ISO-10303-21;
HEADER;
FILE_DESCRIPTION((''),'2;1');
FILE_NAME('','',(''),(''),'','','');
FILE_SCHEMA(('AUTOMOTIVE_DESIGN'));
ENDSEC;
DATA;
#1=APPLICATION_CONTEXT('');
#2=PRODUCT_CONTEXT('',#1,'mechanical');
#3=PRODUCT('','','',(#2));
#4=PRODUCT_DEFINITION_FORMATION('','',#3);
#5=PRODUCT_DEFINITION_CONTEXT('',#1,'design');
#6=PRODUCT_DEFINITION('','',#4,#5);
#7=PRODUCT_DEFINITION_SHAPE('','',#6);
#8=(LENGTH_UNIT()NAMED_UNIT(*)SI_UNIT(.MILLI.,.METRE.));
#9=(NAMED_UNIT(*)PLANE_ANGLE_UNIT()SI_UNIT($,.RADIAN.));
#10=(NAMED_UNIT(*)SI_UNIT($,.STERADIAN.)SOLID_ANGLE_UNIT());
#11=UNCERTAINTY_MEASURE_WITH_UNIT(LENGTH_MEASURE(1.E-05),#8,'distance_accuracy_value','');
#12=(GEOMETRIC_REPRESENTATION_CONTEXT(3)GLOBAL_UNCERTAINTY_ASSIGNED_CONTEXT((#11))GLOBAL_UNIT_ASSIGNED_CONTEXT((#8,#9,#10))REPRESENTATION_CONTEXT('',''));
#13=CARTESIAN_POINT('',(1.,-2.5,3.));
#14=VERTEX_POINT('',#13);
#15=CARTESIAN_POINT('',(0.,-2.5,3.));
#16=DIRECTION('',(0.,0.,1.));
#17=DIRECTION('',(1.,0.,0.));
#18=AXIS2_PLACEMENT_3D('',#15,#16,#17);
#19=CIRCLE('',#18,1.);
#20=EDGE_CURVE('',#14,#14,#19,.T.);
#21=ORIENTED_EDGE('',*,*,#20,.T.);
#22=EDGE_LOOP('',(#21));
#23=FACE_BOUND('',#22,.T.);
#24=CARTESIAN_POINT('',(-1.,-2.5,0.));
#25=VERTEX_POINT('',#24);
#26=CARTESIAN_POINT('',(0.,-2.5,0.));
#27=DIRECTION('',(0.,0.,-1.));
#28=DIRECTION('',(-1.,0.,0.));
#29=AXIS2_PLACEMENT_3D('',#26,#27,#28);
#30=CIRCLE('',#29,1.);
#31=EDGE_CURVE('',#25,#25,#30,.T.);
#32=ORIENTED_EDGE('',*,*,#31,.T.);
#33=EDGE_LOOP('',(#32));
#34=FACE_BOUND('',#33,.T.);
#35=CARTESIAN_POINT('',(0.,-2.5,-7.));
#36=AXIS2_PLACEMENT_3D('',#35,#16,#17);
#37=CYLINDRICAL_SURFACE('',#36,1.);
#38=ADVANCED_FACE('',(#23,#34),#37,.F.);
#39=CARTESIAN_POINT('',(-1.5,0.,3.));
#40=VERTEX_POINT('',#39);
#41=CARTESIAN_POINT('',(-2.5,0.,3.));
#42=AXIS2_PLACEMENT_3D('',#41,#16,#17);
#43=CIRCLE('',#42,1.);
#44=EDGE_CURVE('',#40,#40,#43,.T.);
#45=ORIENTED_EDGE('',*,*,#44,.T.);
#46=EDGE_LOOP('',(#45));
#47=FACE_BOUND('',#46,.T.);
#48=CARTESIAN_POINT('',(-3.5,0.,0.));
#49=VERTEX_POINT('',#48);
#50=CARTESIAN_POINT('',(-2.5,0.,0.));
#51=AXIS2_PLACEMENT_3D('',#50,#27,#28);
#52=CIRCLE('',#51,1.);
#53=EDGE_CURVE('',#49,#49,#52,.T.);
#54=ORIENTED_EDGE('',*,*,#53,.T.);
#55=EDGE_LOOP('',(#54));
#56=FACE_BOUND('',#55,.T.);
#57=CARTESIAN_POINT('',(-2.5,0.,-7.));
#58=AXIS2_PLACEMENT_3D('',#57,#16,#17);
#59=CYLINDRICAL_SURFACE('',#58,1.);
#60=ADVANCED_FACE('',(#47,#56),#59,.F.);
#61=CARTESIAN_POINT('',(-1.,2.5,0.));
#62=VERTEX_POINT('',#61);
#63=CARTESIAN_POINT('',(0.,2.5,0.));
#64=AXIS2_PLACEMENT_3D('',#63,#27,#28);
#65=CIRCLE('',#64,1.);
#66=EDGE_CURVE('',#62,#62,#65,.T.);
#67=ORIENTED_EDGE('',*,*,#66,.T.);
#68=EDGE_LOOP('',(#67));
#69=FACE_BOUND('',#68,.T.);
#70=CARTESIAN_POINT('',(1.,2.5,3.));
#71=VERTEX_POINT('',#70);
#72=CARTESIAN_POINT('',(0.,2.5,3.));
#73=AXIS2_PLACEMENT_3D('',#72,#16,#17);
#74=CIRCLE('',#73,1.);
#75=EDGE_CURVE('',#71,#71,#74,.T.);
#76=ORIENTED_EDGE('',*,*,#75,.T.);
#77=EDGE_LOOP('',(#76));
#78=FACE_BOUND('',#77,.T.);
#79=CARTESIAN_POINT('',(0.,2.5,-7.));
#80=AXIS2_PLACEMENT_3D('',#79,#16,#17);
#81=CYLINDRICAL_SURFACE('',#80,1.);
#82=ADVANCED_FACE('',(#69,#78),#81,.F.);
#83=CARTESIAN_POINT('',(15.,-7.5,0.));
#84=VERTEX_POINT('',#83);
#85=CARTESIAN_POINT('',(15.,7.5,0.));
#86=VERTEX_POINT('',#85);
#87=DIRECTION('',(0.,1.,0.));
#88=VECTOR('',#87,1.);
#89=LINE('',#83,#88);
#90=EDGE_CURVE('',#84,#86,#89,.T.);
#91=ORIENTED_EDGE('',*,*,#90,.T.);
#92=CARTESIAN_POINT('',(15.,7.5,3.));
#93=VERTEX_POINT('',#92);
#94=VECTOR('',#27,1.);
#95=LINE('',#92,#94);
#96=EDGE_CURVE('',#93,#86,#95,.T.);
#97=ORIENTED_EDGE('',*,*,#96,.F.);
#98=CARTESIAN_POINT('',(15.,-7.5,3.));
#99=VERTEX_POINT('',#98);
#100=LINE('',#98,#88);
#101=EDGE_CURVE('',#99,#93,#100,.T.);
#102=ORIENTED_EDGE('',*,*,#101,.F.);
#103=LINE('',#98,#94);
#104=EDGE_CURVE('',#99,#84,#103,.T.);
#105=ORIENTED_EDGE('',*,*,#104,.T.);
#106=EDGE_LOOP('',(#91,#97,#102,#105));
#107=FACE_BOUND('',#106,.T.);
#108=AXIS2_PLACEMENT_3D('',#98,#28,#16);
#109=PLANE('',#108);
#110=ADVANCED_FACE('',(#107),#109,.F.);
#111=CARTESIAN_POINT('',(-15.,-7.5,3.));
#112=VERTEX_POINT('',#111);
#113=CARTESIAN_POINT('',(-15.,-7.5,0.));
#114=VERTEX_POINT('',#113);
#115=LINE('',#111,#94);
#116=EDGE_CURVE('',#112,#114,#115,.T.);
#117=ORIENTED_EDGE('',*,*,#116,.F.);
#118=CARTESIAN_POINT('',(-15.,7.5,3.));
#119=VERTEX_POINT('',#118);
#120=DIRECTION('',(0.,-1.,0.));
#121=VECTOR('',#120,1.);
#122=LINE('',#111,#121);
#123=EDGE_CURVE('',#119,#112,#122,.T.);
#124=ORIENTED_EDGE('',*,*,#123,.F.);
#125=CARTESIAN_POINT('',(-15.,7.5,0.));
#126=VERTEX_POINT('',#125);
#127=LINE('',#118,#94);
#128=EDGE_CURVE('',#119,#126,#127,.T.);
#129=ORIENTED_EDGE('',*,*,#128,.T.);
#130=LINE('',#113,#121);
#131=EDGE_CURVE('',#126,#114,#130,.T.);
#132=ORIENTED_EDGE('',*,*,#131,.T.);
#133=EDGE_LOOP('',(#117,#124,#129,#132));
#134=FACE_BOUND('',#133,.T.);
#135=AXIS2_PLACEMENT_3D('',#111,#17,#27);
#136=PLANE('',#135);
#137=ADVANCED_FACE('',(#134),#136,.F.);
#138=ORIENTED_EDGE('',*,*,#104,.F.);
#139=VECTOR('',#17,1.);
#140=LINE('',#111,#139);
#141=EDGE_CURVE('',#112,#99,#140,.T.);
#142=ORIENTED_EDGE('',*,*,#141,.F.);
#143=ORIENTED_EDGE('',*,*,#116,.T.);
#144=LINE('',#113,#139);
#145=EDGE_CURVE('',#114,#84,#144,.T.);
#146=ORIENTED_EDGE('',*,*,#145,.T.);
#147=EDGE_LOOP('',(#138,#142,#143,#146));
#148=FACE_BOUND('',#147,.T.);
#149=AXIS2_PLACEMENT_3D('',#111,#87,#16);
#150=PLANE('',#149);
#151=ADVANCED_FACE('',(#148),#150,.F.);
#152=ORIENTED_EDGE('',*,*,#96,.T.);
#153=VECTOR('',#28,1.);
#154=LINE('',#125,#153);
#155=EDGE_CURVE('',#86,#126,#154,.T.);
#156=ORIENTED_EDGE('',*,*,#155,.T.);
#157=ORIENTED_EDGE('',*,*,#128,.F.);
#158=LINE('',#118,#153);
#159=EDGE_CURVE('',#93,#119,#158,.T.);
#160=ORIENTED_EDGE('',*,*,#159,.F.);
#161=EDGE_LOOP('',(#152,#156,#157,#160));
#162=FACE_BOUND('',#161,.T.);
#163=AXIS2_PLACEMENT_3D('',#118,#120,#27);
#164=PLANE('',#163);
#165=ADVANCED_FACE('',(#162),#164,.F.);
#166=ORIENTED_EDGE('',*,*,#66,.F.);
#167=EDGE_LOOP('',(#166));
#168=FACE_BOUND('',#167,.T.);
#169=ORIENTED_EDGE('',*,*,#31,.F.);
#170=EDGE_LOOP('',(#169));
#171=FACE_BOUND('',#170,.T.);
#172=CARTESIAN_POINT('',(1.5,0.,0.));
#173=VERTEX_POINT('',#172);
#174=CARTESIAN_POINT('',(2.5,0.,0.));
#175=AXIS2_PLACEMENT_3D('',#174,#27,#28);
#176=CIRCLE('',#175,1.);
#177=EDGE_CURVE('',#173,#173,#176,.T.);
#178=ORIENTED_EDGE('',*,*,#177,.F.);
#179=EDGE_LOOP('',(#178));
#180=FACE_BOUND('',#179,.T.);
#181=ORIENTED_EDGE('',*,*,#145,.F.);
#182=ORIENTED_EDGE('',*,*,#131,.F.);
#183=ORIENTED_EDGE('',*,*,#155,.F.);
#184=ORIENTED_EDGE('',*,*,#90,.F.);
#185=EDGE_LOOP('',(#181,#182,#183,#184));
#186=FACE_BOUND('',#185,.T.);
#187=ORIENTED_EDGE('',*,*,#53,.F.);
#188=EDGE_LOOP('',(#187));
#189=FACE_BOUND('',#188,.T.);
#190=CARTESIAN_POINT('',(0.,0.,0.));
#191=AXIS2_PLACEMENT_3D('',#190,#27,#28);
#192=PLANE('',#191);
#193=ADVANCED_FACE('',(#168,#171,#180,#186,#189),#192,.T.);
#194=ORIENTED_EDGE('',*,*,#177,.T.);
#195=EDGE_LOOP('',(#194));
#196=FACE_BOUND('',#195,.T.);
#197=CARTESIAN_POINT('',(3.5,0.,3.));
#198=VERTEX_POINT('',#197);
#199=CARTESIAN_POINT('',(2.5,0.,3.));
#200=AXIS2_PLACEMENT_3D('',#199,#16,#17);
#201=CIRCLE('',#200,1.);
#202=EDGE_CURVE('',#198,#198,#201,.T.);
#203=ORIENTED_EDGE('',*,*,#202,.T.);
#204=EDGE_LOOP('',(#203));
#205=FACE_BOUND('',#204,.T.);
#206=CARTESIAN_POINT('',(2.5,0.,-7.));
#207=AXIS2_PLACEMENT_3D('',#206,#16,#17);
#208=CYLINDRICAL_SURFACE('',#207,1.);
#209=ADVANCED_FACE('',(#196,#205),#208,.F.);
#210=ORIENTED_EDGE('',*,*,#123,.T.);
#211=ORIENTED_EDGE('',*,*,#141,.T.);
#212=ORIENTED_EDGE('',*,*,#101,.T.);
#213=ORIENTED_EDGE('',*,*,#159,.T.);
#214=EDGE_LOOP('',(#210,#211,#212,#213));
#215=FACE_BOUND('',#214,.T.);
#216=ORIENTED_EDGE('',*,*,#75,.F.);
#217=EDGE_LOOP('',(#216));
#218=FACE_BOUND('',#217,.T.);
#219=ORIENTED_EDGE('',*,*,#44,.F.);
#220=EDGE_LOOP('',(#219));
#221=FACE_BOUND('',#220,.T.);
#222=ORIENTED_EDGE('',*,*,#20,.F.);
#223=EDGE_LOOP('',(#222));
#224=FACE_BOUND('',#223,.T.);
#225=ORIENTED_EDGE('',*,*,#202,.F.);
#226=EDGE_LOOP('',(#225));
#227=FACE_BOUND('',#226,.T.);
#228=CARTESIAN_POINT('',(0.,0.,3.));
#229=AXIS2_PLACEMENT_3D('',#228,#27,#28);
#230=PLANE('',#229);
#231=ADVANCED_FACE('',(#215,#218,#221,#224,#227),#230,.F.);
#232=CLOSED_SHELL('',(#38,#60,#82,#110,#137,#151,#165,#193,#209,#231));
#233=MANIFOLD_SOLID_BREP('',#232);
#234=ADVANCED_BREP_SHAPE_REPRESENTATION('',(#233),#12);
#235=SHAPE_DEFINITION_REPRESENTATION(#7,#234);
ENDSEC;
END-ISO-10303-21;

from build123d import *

# Parameters (mm, degrees)
SKETCH1_W           = 30
SKETCH1_H           = 15
BOSS_EXTRUDE1_DEPTH = 3
SKETCH2_R           = 1
CUT_EXTRUDE1_DEPTH  = 10


with BuildPart() as part:
    # Sketch1 → Boss-Extrude1 (new body)
    with BuildSketch(Plane.XY):
        Rectangle(SKETCH1_W, SKETCH1_H)
    extrude(amount=BOSS_EXTRUDE1_DEPTH)

    # Sketch2 → Cut-Extrude1 (cut)
    with BuildSketch(Plane.XY.offset(3)):
        with Locations((0, 2.5)):
            Circle(SKETCH2_R)
        with Locations((2.5, 0)):
            Circle(SKETCH2_R)
        with Locations((0, -2.5)):
            Circle(SKETCH2_R)
        with Locations((-2.5, 0)):
            Circle(SKETCH2_R)
    extrude(amount=-CUT_EXTRUDE1_DEPTH, mode=Mode.SUBTRACT)


solid = part.part
